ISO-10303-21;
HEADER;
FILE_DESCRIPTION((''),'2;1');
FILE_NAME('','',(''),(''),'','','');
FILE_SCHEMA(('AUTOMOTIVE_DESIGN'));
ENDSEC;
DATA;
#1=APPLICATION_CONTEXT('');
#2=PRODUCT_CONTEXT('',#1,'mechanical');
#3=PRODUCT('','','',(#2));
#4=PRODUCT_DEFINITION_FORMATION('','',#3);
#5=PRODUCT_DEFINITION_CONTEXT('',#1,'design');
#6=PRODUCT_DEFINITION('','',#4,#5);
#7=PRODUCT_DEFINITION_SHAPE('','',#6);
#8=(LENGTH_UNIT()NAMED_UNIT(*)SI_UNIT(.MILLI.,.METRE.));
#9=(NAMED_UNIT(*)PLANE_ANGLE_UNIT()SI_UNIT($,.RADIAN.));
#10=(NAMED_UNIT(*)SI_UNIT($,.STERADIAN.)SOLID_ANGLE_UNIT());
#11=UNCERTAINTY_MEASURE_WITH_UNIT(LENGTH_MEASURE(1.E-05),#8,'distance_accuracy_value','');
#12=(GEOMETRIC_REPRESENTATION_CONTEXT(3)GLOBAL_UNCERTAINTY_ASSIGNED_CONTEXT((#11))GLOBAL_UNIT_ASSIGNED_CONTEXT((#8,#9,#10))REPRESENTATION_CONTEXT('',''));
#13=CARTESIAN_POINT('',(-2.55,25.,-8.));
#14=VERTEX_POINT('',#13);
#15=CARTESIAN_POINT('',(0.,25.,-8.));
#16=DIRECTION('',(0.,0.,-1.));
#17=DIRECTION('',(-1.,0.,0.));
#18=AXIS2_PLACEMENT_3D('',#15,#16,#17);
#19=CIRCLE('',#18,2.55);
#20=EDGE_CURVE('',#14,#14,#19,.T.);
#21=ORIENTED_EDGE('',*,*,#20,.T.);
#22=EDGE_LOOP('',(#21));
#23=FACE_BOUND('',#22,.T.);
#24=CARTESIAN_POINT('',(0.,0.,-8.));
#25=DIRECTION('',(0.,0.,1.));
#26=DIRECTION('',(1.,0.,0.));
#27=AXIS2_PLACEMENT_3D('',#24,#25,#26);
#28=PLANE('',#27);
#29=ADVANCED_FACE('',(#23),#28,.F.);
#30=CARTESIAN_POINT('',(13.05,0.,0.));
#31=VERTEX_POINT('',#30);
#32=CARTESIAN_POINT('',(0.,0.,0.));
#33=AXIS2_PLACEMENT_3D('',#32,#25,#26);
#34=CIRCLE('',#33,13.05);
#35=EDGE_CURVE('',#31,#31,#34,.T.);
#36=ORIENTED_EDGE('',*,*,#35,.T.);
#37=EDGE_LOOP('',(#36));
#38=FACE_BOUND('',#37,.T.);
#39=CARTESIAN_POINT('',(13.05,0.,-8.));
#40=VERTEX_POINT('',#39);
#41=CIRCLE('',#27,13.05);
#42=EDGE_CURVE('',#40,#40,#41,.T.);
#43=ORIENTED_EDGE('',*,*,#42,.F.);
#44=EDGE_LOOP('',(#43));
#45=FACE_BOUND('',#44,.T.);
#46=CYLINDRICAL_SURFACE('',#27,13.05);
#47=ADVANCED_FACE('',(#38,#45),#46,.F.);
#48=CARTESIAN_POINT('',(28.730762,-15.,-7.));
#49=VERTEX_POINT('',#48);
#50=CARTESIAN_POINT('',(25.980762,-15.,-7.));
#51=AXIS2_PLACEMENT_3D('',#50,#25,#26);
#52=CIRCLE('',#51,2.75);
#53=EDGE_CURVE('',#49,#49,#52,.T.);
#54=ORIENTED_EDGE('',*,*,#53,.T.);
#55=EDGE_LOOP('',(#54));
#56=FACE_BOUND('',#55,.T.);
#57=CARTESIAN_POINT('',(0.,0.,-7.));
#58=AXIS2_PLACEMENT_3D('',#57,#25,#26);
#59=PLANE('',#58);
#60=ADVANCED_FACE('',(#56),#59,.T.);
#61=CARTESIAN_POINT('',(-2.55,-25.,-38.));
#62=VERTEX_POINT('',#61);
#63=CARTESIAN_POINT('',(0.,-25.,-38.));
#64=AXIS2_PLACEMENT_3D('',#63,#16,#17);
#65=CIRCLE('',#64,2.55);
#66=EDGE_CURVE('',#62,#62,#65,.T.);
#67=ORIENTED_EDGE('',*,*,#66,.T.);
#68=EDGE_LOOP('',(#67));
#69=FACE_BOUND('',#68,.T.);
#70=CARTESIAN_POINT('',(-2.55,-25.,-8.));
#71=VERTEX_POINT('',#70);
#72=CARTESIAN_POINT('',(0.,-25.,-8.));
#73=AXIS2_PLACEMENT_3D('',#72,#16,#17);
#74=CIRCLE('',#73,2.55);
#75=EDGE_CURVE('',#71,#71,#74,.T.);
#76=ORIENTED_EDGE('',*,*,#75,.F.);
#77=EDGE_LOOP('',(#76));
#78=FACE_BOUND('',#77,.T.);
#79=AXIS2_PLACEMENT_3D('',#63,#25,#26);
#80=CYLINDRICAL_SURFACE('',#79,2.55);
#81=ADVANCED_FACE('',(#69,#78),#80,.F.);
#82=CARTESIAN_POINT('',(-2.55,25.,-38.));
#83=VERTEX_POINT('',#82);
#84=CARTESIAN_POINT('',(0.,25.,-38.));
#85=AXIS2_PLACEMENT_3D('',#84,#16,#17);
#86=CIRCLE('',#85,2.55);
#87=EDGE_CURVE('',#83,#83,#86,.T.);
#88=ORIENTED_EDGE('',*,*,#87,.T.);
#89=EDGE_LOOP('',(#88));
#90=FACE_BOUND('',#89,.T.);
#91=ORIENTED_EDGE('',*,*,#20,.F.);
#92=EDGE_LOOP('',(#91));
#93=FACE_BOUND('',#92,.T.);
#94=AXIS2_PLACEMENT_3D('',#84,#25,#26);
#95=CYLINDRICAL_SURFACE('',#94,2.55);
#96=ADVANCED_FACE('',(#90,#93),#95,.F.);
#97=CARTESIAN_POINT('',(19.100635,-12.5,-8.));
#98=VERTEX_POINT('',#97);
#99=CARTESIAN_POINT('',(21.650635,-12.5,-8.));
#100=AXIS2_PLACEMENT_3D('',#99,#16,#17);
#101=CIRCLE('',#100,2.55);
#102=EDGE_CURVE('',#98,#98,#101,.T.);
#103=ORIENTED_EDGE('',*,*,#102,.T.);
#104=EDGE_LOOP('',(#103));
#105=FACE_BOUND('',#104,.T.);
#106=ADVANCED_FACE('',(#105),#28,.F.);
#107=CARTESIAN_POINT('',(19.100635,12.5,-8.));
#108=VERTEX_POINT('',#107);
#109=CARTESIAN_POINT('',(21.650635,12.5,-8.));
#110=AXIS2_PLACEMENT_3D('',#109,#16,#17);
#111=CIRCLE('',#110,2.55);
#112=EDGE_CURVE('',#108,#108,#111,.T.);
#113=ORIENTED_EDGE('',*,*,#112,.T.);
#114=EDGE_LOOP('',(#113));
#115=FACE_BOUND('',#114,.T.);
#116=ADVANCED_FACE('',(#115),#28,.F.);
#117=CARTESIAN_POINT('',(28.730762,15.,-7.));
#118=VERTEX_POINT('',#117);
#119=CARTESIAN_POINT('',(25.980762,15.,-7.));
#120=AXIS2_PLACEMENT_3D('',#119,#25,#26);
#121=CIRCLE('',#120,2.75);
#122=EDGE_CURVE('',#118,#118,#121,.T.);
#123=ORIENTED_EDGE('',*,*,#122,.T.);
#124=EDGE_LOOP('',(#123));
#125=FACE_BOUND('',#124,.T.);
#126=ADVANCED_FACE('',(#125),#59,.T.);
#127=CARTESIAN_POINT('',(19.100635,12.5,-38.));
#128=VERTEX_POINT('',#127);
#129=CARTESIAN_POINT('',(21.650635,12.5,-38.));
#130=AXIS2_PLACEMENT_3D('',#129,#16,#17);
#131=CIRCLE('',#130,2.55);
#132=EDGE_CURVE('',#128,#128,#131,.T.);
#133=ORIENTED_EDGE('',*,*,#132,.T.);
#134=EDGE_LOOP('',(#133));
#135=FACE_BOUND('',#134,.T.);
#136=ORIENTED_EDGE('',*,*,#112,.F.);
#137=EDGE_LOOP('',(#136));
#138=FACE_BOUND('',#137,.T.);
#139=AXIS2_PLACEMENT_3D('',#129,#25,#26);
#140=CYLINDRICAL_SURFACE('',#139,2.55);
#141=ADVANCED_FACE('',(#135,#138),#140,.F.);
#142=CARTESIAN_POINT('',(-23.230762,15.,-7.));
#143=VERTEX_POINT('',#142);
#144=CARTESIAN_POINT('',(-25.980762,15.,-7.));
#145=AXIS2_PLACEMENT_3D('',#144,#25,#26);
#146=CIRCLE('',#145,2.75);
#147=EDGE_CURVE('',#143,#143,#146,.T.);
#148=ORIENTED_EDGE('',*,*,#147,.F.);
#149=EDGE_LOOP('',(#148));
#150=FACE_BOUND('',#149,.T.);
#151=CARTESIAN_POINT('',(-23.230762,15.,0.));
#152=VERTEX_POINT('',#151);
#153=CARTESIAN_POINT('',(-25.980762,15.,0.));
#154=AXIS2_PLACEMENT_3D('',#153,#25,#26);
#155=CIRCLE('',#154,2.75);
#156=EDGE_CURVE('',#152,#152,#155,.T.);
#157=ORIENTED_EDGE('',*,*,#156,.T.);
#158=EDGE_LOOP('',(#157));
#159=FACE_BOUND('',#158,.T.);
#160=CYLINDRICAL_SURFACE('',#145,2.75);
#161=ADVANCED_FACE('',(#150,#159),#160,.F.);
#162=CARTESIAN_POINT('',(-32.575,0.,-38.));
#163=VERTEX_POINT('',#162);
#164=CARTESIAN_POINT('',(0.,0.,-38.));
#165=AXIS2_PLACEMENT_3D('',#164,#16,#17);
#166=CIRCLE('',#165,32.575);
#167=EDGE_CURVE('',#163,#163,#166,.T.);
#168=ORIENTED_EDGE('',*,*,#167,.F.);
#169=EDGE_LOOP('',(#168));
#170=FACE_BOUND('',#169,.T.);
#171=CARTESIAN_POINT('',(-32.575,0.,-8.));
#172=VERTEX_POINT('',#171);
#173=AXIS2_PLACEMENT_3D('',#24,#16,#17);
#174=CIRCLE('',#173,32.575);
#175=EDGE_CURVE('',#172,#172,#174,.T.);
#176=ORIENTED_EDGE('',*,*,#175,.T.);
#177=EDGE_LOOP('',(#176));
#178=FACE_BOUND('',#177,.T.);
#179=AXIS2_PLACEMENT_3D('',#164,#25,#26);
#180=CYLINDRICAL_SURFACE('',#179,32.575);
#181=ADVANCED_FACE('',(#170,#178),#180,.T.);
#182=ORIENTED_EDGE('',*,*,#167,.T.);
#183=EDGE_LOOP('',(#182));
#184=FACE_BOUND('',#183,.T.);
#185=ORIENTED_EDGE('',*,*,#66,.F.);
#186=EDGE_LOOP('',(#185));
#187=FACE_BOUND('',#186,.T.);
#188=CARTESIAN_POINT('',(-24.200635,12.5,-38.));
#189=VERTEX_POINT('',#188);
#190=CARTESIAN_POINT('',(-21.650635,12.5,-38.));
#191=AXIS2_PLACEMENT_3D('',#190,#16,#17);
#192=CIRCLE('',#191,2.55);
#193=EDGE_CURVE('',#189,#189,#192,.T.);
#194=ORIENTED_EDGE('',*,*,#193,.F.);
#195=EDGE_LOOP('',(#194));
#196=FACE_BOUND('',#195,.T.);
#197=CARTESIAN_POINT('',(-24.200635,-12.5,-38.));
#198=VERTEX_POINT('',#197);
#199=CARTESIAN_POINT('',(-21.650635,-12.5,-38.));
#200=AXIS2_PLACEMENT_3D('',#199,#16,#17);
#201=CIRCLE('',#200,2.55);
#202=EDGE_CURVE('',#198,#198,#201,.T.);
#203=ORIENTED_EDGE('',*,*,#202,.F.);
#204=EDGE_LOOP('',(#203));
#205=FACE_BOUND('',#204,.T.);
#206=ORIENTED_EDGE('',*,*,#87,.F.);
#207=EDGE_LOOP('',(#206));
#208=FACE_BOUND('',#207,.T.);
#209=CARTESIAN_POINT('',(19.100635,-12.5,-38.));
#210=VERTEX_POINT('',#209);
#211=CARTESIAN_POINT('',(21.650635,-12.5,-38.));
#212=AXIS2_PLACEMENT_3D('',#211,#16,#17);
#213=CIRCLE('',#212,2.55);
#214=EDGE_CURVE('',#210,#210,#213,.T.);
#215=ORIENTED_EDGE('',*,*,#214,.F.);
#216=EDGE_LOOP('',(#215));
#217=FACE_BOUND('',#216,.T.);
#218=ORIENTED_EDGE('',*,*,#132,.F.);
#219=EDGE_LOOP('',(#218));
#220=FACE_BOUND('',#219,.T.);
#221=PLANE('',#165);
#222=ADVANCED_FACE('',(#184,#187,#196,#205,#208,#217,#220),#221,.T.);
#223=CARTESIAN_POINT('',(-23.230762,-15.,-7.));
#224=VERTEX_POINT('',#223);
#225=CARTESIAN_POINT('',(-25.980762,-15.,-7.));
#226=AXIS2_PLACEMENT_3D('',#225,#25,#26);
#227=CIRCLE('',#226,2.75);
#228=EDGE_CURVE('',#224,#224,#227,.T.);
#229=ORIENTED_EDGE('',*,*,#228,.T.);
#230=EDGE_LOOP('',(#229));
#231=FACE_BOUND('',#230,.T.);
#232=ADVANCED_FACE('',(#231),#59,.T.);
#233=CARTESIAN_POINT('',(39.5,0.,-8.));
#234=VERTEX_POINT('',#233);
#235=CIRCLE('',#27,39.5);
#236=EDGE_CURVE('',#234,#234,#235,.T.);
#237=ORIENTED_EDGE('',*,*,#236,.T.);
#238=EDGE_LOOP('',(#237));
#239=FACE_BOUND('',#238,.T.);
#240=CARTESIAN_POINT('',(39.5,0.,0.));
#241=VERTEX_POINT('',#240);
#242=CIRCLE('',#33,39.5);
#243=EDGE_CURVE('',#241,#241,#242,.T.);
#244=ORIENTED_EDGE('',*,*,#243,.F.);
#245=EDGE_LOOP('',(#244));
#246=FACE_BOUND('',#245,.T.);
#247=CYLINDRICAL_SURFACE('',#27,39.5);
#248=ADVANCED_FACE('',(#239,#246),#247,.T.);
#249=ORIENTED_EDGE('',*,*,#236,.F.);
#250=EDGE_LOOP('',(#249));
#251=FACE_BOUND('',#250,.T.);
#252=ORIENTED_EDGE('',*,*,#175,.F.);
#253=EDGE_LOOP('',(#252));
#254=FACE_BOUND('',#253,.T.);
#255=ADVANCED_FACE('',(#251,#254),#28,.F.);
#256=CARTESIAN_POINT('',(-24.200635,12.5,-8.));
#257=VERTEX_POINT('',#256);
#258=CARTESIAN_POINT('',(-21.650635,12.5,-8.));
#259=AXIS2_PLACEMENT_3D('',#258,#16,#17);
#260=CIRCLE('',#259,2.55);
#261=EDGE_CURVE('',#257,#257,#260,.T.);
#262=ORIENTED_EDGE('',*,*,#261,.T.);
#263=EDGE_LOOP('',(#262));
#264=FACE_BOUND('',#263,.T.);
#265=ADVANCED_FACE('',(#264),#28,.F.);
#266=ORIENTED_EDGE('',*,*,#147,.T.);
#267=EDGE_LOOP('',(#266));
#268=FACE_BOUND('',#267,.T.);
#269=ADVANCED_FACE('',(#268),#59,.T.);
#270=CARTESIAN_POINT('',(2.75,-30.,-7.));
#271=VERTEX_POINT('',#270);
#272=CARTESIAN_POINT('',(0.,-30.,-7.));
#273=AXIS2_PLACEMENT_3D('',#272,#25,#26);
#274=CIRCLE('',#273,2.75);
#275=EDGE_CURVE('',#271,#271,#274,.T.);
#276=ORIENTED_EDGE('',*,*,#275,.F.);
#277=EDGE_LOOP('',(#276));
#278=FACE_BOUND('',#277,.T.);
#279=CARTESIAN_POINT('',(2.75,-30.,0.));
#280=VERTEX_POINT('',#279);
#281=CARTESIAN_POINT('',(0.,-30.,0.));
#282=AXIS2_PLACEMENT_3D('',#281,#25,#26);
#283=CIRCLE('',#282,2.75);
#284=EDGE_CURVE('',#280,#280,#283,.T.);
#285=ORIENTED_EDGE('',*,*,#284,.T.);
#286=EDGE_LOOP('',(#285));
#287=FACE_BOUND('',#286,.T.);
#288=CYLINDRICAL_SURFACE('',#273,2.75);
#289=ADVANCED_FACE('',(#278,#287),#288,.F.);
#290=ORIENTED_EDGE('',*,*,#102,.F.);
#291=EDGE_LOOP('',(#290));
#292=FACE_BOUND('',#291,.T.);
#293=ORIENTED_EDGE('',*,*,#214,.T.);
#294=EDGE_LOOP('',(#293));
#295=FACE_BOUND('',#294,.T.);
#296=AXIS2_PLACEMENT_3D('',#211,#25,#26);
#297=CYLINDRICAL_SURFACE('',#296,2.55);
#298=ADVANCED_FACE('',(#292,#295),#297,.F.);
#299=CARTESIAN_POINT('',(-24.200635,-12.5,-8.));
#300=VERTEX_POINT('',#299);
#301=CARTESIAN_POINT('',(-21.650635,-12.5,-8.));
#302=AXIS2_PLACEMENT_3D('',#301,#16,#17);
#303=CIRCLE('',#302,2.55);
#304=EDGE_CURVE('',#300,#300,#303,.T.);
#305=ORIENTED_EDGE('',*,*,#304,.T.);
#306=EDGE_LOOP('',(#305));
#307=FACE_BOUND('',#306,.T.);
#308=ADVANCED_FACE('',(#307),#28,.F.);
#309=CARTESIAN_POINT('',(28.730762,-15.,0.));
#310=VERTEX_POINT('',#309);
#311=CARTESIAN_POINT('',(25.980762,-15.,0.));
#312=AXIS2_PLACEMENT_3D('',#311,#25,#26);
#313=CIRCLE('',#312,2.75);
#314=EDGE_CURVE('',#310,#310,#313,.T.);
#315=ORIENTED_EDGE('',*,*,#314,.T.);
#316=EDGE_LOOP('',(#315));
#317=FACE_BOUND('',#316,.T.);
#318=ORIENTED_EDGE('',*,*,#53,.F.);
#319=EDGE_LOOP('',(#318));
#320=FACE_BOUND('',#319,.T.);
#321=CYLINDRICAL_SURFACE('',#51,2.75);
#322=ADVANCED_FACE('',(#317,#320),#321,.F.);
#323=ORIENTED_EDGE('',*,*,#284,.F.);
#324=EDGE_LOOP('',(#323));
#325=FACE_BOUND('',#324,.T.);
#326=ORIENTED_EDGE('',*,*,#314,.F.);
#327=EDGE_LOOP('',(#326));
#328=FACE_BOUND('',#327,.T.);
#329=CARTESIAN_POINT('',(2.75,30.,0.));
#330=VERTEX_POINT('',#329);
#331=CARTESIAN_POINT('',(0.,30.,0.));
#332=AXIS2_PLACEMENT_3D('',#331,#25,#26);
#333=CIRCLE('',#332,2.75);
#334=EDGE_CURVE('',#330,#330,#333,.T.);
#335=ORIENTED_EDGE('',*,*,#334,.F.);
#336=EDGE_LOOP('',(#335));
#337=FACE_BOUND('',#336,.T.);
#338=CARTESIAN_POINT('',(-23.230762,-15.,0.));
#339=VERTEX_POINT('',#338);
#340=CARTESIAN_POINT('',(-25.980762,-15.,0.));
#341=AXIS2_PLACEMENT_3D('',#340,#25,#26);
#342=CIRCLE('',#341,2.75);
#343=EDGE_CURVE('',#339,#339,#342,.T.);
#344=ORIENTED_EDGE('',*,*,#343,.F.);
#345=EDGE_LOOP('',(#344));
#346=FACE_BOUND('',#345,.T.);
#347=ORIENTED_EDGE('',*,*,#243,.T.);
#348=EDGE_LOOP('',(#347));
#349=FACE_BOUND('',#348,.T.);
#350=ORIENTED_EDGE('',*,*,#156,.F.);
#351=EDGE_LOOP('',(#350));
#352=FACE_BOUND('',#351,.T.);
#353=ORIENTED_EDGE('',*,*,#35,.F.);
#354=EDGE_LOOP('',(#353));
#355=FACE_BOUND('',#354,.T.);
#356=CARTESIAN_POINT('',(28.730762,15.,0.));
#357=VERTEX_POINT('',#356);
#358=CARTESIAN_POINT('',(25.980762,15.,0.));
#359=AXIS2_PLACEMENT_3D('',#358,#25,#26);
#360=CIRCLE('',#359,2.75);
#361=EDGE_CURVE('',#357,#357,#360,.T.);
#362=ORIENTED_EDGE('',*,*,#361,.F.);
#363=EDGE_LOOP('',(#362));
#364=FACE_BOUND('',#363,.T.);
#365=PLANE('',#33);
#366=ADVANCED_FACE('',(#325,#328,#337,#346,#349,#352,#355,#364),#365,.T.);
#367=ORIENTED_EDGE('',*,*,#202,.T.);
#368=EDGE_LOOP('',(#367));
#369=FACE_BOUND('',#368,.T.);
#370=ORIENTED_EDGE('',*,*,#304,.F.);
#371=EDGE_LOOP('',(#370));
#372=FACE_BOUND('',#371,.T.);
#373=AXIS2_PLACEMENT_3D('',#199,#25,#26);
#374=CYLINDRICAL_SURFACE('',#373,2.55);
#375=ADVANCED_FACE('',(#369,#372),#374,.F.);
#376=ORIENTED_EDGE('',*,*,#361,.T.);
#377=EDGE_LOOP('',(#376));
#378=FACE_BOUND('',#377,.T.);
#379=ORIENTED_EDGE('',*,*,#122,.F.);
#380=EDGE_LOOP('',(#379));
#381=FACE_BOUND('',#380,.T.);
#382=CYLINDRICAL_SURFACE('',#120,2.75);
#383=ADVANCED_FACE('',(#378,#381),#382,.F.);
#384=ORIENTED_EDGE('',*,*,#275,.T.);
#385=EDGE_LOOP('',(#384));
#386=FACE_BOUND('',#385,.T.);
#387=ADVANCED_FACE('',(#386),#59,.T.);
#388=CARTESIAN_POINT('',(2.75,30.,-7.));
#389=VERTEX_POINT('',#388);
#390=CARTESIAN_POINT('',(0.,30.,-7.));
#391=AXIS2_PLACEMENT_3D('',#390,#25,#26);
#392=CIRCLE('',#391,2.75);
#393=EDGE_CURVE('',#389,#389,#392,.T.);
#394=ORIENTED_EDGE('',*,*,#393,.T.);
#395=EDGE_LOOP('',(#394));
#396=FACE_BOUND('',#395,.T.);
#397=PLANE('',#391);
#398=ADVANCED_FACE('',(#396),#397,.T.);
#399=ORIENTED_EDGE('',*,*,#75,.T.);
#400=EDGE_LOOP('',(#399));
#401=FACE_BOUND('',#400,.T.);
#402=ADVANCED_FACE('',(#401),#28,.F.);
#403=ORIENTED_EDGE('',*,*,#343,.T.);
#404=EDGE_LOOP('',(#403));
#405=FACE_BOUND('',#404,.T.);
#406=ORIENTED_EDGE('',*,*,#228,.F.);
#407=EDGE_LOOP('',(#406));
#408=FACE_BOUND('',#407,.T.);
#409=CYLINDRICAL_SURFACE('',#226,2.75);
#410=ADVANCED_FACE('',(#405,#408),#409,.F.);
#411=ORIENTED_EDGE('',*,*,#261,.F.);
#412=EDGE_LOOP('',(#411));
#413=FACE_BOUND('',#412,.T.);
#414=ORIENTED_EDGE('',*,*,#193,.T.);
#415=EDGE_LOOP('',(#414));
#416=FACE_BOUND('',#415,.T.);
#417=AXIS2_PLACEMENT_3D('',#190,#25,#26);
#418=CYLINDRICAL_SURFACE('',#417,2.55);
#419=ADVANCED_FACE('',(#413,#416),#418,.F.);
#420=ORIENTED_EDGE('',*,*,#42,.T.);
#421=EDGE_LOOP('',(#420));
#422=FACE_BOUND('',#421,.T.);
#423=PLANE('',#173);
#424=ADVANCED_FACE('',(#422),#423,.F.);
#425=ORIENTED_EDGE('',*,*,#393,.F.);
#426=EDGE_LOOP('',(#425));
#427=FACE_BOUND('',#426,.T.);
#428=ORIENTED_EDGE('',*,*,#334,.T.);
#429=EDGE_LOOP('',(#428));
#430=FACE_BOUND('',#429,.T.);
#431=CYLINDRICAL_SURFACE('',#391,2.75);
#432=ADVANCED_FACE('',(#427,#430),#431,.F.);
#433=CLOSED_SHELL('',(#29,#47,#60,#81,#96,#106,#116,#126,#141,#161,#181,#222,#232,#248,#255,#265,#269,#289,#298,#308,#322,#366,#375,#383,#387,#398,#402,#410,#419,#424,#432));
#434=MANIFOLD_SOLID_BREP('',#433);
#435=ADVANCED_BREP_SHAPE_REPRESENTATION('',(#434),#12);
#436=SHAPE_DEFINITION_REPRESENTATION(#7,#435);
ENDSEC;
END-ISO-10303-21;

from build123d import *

# Parameters (mm, degrees)
SKETCH1_R           = 39.5
SKETCH1_R_2         = 13.05
BOSS_EXTRUDE1_DEPTH = 8
SKETCH2_R           = 32.575
SKETCH2_R_2         = 2.55
BOSS_EXTRUDE3_DEPTH = 30
SKETCH1_5_R         = 2.75
CUT_EXTRUDE1_DEPTH  = 7


with BuildPart() as part:
    # Sketch1 → Boss-Extrude1 (new body)
    with BuildSketch(Plane.XY):
        Circle(SKETCH1_R)
        Circle(SKETCH1_R_2, mode=Mode.SUBTRACT)
    extrude(amount=-BOSS_EXTRUDE1_DEPTH)

    # Sketch2 → Boss-Extrude3 (add)
    with BuildSketch(Plane(origin=(0, 0, -8), x_dir=(-1, 0, 0), z_dir=(0, 0, -1))):
        Circle(SKETCH2_R)
        with Locations((0, 25)):
            Circle(SKETCH2_R_2, mode=Mode.SUBTRACT)
        with Locations((21.650635095, 12.5)):
            Circle(SKETCH2_R_2, mode=Mode.SUBTRACT)
        with Locations((21.650635095, -12.5)):
            Circle(SKETCH2_R_2, mode=Mode.SUBTRACT)
        with Locations((0, -25)):
            Circle(SKETCH2_R_2, mode=Mode.SUBTRACT)
        with Locations((-21.650635095, -12.5)):
            Circle(SKETCH2_R_2, mode=Mode.SUBTRACT)
        with Locations((-21.650635095, 12.5)):
            Circle(SKETCH2_R_2, mode=Mode.SUBTRACT)
    extrude(amount=BOSS_EXTRUDE3_DEPTH)

    # Sketch1_5 → Cut-Extrude1 (cut)
    with BuildSketch(Plane.XY):
        with Locations((-25.980762114, 15)):
            Circle(SKETCH1_5_R)
        with Locations((25.980762114, 15)):
            Circle(SKETCH1_5_R)
        with Locations((25.980762114, -15)):
            Circle(SKETCH1_5_R)
        with Locations((0, -30)):
            Circle(SKETCH1_5_R)
        with Locations((-25.980762114, -15)):
            Circle(SKETCH1_5_R)
        with Locations((0, 30)):
            Circle(SKETCH1_5_R)
    extrude(amount=-CUT_EXTRUDE1_DEPTH, mode=Mode.SUBTRACT)


solid = part.part
